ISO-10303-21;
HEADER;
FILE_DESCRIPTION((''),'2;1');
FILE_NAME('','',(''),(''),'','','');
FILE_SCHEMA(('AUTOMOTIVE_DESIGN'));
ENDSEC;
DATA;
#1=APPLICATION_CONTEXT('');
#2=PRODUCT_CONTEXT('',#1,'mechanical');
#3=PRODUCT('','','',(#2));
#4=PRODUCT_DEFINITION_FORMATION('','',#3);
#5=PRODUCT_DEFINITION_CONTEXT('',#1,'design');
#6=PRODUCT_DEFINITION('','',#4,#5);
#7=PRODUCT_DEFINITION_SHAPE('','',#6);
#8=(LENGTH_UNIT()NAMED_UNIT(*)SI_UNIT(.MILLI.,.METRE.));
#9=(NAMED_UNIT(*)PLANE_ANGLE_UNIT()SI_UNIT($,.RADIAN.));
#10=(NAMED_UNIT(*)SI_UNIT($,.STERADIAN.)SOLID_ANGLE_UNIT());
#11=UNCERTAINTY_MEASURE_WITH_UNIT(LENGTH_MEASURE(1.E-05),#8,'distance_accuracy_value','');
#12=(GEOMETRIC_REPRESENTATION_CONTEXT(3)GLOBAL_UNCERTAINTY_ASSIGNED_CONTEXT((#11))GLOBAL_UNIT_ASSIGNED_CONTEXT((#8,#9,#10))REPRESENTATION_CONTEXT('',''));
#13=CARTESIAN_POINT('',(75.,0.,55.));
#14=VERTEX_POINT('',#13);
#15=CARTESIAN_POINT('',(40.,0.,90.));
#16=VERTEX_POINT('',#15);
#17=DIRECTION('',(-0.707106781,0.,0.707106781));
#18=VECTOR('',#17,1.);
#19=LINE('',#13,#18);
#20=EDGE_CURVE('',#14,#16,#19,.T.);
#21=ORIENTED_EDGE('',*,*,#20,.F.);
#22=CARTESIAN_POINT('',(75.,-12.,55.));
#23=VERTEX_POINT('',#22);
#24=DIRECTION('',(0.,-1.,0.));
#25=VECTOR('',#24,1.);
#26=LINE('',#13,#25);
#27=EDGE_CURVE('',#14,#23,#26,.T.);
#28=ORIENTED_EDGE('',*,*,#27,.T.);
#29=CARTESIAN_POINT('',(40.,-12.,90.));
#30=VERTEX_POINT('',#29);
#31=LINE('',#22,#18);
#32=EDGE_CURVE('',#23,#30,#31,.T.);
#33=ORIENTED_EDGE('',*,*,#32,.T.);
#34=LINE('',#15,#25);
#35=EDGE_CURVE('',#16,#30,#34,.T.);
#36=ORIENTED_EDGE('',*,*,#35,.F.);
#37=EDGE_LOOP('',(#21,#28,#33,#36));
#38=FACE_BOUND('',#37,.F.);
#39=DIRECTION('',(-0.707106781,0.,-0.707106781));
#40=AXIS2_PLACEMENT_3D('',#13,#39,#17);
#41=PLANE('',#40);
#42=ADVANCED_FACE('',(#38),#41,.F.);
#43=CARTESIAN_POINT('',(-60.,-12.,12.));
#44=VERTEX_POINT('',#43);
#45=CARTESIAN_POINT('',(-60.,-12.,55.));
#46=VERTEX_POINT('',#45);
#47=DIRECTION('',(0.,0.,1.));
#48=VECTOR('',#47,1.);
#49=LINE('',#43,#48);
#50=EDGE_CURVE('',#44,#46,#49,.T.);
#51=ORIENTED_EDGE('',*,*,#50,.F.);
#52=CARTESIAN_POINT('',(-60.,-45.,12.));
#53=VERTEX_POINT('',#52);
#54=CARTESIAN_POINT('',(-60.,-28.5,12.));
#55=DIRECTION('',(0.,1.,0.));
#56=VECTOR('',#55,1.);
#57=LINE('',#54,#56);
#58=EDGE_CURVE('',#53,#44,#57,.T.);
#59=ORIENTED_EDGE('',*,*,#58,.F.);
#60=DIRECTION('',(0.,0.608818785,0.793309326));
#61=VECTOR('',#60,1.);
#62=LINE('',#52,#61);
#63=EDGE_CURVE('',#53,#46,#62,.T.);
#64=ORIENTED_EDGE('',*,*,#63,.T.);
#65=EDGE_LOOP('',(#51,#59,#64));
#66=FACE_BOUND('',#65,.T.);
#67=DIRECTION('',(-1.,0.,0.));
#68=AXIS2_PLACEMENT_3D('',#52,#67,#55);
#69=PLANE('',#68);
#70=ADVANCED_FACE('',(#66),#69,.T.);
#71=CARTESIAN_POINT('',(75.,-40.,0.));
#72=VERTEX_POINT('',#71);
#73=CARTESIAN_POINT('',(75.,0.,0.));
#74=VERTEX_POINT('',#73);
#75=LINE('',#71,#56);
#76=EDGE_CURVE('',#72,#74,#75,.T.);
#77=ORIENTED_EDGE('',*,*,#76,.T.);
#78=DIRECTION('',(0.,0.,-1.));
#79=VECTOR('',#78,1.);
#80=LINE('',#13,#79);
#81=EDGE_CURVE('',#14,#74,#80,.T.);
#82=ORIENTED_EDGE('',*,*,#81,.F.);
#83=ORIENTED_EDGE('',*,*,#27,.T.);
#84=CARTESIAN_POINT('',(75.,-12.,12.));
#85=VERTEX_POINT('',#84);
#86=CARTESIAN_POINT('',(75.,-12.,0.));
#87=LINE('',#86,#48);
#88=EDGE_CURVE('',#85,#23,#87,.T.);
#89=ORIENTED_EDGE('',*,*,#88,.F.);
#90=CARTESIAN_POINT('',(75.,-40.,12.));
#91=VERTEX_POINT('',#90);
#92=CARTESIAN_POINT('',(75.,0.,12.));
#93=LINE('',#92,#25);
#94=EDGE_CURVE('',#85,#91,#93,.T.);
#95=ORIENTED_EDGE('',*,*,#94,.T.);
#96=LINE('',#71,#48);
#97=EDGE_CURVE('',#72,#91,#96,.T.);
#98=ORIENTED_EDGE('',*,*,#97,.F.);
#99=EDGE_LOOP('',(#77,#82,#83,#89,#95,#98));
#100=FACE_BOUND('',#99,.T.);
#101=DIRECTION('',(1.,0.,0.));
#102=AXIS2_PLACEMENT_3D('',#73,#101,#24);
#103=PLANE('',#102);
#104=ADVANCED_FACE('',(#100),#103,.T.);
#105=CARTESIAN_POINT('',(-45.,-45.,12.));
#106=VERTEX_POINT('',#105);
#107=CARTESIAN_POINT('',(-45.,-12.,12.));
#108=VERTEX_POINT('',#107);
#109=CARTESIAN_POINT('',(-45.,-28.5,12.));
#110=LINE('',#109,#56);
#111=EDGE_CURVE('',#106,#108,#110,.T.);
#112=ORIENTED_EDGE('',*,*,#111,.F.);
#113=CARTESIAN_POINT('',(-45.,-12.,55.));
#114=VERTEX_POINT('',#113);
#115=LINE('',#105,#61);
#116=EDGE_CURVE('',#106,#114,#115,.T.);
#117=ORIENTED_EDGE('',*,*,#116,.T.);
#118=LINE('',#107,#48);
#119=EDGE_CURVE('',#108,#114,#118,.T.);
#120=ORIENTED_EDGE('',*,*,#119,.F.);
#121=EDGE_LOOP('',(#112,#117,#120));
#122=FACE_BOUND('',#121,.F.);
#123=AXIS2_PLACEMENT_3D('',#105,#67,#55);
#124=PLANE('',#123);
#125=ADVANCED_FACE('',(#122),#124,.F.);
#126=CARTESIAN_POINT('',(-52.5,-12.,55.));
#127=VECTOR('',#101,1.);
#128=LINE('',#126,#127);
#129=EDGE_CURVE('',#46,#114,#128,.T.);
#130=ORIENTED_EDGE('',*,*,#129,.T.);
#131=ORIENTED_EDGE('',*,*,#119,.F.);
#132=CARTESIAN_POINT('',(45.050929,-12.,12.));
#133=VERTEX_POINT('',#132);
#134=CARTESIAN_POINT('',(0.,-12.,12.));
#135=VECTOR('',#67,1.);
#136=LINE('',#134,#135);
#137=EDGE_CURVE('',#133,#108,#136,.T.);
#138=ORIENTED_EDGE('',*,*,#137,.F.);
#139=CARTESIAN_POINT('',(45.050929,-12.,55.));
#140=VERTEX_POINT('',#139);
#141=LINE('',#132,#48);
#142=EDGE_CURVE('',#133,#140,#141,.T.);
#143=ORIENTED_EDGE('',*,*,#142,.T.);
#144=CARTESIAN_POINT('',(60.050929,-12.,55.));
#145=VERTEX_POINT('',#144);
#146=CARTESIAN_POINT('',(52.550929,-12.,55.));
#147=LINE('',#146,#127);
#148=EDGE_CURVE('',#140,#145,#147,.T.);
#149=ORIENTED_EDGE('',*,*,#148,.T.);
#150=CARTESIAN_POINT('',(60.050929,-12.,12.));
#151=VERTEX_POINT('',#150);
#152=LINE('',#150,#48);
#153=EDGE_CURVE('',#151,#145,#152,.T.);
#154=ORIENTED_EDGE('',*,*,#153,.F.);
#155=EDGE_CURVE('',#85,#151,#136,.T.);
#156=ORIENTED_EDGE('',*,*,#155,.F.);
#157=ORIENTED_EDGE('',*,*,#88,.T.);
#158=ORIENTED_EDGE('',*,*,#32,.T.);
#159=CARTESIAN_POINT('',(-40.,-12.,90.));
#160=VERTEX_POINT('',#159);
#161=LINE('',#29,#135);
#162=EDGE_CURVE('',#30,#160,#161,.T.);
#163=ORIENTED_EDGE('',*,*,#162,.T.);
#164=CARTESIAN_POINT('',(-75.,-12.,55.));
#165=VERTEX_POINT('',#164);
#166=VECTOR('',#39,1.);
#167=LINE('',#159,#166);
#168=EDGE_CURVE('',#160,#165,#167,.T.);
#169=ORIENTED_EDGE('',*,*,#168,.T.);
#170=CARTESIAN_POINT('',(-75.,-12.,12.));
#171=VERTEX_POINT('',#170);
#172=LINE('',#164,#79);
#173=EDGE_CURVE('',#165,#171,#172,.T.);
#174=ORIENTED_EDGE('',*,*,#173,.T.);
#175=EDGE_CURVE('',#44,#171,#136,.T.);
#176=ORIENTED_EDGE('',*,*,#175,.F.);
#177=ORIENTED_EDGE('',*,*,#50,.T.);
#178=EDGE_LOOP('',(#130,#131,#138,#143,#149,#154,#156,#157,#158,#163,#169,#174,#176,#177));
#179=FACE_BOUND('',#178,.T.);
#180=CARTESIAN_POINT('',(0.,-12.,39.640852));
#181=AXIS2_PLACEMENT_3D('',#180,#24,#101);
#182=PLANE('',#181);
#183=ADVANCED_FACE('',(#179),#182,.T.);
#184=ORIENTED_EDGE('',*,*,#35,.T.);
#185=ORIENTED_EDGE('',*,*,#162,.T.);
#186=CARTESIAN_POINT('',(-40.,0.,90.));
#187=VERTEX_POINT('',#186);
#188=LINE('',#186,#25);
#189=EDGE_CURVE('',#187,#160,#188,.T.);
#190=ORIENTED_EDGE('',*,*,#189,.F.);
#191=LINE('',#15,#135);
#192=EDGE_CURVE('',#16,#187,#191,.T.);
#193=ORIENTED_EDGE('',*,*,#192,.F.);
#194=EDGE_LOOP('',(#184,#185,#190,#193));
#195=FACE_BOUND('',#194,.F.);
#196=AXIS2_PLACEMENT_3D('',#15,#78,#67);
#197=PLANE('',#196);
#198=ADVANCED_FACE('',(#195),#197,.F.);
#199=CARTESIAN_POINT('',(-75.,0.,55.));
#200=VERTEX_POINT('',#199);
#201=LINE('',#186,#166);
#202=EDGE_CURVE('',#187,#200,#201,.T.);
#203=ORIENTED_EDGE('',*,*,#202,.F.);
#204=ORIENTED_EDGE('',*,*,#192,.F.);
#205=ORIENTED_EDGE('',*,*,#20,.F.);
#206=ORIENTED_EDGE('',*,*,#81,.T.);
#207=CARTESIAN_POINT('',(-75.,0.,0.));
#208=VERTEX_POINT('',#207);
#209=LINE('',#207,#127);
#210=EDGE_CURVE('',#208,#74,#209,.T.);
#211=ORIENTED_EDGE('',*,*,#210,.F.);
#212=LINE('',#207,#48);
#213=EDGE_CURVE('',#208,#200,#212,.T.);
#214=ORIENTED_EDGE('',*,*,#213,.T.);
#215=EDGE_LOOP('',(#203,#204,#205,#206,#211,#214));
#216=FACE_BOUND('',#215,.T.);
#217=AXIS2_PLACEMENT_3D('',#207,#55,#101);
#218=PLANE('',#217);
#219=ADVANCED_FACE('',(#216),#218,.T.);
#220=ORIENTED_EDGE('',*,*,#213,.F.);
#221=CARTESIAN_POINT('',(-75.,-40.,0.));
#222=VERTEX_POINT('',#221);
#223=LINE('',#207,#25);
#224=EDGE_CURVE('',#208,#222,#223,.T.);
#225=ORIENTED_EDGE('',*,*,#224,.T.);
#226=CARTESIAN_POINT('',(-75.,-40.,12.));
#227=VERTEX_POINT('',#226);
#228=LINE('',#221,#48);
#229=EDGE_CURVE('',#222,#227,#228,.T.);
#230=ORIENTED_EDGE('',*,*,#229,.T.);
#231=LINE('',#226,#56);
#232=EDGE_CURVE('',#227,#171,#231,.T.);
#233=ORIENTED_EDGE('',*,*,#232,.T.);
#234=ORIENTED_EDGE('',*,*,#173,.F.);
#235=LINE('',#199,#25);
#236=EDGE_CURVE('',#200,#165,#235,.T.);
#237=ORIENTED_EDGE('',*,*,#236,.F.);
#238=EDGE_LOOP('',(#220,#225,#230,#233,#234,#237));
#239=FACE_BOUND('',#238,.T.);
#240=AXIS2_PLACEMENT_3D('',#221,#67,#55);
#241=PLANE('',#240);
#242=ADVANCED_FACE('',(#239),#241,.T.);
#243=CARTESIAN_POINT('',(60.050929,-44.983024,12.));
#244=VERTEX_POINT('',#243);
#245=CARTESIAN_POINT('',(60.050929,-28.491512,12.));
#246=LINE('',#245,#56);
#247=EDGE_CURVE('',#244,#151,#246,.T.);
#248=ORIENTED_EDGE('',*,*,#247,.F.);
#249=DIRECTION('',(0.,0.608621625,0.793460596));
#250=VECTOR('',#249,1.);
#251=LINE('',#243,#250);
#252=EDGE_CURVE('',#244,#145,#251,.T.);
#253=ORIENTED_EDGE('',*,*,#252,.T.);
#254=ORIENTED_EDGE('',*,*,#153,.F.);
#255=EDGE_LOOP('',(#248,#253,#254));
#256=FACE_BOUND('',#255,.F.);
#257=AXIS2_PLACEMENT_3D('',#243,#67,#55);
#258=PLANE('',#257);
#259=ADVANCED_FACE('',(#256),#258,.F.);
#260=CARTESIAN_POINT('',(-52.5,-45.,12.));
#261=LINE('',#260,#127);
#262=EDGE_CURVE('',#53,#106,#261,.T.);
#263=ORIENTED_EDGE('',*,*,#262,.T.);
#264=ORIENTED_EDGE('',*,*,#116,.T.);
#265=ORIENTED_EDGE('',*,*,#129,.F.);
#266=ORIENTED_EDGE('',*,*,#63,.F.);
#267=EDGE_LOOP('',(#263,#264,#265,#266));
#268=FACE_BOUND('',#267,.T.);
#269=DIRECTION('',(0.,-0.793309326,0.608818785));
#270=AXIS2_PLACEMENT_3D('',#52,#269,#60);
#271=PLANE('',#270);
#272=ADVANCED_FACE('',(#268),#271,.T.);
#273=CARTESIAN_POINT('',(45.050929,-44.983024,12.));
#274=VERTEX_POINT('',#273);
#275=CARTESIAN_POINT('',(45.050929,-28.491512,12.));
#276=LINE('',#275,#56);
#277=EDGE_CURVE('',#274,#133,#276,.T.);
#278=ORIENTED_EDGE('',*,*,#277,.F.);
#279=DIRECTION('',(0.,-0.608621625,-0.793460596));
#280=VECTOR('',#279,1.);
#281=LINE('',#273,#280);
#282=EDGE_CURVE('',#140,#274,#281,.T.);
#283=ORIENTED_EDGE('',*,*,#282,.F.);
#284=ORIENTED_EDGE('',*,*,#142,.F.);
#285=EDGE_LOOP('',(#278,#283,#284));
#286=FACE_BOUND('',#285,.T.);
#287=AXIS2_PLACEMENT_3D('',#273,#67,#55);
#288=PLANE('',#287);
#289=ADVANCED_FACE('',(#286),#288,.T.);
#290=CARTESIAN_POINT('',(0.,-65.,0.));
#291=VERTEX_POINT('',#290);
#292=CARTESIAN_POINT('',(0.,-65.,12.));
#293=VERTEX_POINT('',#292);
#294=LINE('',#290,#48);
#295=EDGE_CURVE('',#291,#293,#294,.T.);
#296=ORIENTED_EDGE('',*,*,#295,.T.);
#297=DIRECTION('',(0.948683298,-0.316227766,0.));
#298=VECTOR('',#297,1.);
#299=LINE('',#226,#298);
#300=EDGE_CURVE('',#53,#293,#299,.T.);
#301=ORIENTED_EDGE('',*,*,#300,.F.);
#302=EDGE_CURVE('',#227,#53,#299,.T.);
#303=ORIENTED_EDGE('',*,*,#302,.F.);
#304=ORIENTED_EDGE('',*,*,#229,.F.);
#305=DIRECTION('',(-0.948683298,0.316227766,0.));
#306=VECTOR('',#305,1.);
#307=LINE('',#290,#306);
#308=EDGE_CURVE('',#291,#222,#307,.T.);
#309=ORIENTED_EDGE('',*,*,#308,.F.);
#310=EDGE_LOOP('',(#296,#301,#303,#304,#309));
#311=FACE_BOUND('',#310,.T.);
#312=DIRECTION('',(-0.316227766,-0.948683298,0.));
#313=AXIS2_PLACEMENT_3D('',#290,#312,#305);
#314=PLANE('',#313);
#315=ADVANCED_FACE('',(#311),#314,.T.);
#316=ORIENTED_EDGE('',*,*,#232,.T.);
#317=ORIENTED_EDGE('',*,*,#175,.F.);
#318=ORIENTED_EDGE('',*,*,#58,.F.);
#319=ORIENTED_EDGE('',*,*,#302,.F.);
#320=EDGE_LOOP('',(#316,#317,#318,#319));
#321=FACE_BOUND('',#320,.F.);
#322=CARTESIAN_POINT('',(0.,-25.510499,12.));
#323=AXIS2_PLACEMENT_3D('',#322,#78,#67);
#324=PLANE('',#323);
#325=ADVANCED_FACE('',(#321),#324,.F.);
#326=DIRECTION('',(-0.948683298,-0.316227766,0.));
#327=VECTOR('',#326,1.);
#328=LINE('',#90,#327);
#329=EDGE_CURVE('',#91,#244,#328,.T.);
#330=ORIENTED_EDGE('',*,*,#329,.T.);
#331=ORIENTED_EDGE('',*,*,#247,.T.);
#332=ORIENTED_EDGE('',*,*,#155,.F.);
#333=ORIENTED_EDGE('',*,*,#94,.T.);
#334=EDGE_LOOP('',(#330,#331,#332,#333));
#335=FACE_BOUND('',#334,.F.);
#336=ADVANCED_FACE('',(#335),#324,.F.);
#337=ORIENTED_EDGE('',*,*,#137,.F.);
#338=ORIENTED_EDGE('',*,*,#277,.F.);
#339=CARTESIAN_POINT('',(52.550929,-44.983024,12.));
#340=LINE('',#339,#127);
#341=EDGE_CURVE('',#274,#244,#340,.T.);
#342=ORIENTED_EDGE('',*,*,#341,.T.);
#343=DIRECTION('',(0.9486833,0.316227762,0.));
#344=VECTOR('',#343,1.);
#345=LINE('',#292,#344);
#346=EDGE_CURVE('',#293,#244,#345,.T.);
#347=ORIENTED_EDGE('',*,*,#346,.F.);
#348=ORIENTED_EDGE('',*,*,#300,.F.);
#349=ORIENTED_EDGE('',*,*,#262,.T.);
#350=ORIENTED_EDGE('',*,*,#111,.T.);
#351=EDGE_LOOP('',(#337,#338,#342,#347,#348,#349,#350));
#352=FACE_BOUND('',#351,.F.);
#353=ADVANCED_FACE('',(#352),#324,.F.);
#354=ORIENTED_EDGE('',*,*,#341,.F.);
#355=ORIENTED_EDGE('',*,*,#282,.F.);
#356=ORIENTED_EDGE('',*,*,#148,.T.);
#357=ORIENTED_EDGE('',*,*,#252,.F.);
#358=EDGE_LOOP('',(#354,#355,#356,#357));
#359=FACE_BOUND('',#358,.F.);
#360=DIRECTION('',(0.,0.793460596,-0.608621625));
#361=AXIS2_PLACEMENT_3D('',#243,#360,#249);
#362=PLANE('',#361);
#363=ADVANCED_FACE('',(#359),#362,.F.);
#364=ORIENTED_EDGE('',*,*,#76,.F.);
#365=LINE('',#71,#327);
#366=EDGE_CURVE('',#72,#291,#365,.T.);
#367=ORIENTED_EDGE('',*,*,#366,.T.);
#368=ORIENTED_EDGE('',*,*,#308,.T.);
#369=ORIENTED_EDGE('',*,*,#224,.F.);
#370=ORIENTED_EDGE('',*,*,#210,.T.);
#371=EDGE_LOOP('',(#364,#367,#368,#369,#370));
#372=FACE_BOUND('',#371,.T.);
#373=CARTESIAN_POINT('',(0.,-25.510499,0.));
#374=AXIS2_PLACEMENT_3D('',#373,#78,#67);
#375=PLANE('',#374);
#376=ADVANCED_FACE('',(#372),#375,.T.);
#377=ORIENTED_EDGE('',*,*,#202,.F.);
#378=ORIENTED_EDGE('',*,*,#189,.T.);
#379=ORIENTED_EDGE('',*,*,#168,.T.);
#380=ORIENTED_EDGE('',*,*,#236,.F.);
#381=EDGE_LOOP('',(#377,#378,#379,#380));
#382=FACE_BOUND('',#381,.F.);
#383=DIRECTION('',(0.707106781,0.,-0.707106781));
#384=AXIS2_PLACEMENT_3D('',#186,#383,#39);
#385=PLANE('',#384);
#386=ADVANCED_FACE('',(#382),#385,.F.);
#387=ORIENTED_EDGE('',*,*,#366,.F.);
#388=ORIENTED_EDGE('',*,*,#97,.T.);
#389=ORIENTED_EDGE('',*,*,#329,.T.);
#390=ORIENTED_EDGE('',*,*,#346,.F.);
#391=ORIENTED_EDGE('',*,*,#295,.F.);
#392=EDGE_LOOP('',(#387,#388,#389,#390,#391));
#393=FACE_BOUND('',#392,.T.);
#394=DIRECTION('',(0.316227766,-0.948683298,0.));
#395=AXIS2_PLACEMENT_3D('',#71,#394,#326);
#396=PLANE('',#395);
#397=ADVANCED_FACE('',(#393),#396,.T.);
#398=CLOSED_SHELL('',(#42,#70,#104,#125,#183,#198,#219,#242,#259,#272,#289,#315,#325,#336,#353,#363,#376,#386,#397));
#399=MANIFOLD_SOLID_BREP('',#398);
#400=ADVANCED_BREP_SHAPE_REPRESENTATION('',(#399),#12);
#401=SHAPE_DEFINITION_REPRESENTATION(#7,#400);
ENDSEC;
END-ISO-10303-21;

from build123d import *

# Parameters (mm, degrees)
PAD_DEPTH       = 12
PAD001_DEPTH    = 12
SKETCH002_W     = 15
SKETCH002_H     = 32.983024
PAD002_DEPTH    = 43
POCKET_DEPTH    = 135.051929
SKETCH004_W     = 15
SKETCH004_H     = 33
PAD003_DEPTH    = 43
POCKET001_DEPTH = 135.001


with BuildPart() as part:
    # Sketch → Pad (new body)
    with BuildSketch(Plane.XY):
        Polygon((-75, 0), (75, 0), (75, -40), (0, -65), (-75, -40), align=None)
    extrude(amount=PAD_DEPTH)

    # Sketch001 → Pad001 (new body)
    with BuildSketch(Plane(origin=(0, 0, 0), x_dir=(-1, 0, 0), z_dir=(0, 1, 0))):
        Polygon((75, 0), (-75, 0), (-75, 55), (-40, 90), (40, 90), (75, 55), align=None)
    extrude(amount=-PAD001_DEPTH)

    # Sketch002 → Pad002 (new body)
    with BuildSketch(Plane.XY.offset(12)):
        with Locations((52.550929, -28.491512)):
            Rectangle(SKETCH002_W, SKETCH002_H)
    extrude(amount=PAD002_DEPTH)

    # Sketch003 → Pocket (cut, through all)
    with BuildSketch(Plane.YZ.offset(60.050929)):
        Polygon((-44.983024, 12), (-12, 55), (-44.983024, 55), align=None)
    extrude(amount=-POCKET_DEPTH, mode=Mode.SUBTRACT)

    # Sketch004 → Pad003 (new body)
    with BuildSketch(Plane.XY.offset(12)):
        with Locations((-52.5, -28.5)):
            Rectangle(SKETCH004_W, SKETCH004_H)
    extrude(amount=PAD003_DEPTH)

    # Sketch005 → Pocket001 (cut, through all)
    with BuildSketch(Plane(origin=(-60, 0, 0), x_dir=(0, -1, 0), z_dir=(-1, 0, 0))):
        Polygon((12, 55), (45, 55), (45, 12), align=None)
    extrude(amount=-POCKET001_DEPTH, mode=Mode.SUBTRACT)


solid = part.part
